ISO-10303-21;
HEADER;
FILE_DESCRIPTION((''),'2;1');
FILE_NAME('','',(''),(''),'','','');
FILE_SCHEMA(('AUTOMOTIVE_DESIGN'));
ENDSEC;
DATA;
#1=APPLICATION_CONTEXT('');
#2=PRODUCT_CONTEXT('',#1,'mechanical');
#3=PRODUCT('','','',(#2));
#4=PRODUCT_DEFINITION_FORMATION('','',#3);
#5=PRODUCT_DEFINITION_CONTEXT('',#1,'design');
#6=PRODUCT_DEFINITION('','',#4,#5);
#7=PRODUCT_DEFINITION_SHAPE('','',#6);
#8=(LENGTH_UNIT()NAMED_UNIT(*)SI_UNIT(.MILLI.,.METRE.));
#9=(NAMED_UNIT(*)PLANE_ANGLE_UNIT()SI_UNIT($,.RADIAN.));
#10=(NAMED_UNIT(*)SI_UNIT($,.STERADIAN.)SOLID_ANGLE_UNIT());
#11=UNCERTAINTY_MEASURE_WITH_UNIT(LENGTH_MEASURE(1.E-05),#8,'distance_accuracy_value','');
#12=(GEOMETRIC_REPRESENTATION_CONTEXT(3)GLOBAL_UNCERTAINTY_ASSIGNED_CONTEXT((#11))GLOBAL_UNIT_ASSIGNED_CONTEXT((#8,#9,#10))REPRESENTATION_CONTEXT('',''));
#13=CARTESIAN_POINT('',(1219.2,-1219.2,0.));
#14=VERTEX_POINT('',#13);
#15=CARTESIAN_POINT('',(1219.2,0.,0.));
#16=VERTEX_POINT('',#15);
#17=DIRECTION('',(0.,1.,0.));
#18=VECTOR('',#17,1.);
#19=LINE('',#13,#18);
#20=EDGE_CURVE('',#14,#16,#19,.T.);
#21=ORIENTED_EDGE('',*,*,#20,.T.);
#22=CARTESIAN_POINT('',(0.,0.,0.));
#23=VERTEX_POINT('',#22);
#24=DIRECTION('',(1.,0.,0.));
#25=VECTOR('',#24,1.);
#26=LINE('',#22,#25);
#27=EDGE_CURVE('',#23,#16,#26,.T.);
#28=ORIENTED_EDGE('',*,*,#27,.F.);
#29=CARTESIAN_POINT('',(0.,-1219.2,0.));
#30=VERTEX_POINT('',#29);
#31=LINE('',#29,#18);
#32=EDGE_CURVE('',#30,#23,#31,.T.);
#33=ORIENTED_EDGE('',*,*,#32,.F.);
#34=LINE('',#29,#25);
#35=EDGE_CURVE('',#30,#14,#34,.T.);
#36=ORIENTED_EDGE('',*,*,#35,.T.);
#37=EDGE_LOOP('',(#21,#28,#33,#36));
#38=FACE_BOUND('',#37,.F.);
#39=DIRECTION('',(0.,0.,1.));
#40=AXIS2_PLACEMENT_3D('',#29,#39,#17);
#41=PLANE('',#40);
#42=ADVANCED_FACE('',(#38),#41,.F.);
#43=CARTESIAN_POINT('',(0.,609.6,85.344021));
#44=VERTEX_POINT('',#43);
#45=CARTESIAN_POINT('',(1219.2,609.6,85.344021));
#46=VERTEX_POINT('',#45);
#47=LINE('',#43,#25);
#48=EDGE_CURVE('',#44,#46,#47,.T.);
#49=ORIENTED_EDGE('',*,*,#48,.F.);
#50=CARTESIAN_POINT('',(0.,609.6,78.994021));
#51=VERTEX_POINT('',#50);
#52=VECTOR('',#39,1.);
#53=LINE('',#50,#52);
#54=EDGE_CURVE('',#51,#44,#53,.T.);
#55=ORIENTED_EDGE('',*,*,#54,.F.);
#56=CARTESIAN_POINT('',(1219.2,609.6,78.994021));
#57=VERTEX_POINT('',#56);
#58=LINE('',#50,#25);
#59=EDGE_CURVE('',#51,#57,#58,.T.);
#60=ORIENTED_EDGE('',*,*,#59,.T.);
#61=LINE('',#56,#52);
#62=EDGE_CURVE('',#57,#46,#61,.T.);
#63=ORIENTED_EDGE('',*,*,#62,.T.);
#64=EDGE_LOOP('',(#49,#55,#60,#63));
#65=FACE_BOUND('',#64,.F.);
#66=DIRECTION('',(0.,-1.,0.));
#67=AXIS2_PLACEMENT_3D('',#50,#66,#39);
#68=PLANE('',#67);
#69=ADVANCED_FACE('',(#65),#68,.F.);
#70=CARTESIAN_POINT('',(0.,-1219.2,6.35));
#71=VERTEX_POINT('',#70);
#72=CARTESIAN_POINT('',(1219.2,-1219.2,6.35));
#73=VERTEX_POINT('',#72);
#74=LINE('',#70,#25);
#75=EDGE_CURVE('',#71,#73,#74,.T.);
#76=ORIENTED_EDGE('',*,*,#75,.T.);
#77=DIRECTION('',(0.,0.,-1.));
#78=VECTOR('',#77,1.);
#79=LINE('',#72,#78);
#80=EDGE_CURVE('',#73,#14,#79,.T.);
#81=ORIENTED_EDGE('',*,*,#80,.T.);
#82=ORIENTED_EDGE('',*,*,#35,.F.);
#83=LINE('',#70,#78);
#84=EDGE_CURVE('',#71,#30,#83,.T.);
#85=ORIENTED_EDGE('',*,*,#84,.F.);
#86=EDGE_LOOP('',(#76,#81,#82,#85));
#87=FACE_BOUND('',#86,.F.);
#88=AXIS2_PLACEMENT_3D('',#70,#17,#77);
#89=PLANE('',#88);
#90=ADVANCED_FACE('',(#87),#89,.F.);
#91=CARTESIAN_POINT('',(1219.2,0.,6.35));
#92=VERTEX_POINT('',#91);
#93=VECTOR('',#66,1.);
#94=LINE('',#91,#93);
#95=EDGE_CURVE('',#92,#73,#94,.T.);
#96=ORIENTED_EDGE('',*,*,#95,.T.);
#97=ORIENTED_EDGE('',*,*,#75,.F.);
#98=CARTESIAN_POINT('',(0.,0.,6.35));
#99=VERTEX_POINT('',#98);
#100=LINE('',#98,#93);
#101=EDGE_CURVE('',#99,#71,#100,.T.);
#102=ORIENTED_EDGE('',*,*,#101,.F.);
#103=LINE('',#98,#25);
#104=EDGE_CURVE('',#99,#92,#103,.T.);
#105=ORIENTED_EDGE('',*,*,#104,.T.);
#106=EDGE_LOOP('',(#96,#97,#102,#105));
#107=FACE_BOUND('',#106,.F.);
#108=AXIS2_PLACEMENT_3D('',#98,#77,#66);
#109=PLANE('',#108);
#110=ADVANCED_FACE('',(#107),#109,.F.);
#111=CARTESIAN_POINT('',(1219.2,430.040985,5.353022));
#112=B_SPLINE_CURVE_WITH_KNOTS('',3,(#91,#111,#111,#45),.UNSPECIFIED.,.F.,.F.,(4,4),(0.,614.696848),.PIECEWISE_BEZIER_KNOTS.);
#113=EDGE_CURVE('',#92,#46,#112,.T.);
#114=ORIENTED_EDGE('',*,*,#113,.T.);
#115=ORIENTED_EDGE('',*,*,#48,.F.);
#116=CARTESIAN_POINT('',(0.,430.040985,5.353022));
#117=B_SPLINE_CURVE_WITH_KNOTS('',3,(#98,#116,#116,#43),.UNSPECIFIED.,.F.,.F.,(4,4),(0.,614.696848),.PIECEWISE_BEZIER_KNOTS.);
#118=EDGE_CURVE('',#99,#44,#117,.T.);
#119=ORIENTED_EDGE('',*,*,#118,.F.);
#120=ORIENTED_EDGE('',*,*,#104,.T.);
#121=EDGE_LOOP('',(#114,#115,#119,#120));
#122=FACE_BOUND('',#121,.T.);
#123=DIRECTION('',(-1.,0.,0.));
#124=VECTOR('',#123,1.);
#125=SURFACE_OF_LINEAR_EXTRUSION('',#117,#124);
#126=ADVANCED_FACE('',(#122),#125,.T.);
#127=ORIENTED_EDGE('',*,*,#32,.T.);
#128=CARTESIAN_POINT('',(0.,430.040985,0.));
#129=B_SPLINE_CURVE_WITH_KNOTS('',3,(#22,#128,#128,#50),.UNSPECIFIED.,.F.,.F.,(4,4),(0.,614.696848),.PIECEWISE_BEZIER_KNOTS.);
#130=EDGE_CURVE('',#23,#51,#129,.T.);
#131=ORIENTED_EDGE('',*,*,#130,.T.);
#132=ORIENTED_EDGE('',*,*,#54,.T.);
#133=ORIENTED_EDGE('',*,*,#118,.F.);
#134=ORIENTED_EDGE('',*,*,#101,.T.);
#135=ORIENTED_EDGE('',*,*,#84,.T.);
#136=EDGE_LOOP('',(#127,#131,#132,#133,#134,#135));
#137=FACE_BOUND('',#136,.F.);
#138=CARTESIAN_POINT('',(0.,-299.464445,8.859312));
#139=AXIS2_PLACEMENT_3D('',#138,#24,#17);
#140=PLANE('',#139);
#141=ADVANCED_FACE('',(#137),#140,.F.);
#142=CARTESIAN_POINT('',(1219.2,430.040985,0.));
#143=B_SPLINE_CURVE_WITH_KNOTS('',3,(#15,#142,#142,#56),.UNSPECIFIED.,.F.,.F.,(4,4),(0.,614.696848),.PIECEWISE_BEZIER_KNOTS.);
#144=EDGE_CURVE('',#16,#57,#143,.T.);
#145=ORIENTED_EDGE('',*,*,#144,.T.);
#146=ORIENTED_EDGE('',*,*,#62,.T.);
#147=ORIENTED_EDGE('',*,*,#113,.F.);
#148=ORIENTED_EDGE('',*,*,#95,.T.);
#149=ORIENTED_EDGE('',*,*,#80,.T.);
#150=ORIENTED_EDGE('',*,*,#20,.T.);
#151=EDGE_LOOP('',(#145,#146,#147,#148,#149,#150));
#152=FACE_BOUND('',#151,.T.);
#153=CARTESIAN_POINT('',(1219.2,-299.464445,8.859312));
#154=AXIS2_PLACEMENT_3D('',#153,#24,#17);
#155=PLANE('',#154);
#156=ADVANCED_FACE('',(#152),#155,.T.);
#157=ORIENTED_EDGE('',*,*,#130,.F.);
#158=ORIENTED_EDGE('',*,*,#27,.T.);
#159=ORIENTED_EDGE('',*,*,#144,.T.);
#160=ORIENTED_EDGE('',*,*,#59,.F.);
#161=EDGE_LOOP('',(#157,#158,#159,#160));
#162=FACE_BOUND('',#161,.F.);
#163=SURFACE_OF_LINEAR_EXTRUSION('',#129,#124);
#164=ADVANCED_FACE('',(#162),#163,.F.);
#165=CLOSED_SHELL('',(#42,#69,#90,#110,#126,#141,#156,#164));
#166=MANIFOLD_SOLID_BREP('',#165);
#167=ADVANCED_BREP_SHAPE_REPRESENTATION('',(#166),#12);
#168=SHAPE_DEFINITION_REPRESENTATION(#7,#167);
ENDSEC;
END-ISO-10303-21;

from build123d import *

# Parameters (mm, degrees)
F1_DEPTH = 1219.2


with BuildPart() as f1:
    # F0 (on Right) → F1 (new body)
    with BuildSketch(Plane.YZ):
        with BuildLine():
            Line((-1219.2, 6.35), (-1219.2, 0))
            Line((-1219.2, 0), (0, 0))
            add(Edge.make_bspline(
                [(0, 0), (430.040985, 0), (430.040985, 0), (609.6, 78.994021)],
                knots=[0, 0, 0, 0, 614.696848, 614.696848, 614.696848, 614.696848], degree=3))
            Line((609.6, 78.994021), (609.6, 85.344021))
            add(Edge.make_bspline(
                [(0, 6.35), (430.040985, 5.353022), (430.040985, 5.353022), (609.6, 85.344021)],
                knots=[0, 0, 0, 0, 614.696848, 614.696848, 614.696848, 614.696848], degree=3))
            Line((0, 6.35), (-1219.2, 6.35))
        make_face()
    extrude(amount=F1_DEPTH)


solid = f1.part
